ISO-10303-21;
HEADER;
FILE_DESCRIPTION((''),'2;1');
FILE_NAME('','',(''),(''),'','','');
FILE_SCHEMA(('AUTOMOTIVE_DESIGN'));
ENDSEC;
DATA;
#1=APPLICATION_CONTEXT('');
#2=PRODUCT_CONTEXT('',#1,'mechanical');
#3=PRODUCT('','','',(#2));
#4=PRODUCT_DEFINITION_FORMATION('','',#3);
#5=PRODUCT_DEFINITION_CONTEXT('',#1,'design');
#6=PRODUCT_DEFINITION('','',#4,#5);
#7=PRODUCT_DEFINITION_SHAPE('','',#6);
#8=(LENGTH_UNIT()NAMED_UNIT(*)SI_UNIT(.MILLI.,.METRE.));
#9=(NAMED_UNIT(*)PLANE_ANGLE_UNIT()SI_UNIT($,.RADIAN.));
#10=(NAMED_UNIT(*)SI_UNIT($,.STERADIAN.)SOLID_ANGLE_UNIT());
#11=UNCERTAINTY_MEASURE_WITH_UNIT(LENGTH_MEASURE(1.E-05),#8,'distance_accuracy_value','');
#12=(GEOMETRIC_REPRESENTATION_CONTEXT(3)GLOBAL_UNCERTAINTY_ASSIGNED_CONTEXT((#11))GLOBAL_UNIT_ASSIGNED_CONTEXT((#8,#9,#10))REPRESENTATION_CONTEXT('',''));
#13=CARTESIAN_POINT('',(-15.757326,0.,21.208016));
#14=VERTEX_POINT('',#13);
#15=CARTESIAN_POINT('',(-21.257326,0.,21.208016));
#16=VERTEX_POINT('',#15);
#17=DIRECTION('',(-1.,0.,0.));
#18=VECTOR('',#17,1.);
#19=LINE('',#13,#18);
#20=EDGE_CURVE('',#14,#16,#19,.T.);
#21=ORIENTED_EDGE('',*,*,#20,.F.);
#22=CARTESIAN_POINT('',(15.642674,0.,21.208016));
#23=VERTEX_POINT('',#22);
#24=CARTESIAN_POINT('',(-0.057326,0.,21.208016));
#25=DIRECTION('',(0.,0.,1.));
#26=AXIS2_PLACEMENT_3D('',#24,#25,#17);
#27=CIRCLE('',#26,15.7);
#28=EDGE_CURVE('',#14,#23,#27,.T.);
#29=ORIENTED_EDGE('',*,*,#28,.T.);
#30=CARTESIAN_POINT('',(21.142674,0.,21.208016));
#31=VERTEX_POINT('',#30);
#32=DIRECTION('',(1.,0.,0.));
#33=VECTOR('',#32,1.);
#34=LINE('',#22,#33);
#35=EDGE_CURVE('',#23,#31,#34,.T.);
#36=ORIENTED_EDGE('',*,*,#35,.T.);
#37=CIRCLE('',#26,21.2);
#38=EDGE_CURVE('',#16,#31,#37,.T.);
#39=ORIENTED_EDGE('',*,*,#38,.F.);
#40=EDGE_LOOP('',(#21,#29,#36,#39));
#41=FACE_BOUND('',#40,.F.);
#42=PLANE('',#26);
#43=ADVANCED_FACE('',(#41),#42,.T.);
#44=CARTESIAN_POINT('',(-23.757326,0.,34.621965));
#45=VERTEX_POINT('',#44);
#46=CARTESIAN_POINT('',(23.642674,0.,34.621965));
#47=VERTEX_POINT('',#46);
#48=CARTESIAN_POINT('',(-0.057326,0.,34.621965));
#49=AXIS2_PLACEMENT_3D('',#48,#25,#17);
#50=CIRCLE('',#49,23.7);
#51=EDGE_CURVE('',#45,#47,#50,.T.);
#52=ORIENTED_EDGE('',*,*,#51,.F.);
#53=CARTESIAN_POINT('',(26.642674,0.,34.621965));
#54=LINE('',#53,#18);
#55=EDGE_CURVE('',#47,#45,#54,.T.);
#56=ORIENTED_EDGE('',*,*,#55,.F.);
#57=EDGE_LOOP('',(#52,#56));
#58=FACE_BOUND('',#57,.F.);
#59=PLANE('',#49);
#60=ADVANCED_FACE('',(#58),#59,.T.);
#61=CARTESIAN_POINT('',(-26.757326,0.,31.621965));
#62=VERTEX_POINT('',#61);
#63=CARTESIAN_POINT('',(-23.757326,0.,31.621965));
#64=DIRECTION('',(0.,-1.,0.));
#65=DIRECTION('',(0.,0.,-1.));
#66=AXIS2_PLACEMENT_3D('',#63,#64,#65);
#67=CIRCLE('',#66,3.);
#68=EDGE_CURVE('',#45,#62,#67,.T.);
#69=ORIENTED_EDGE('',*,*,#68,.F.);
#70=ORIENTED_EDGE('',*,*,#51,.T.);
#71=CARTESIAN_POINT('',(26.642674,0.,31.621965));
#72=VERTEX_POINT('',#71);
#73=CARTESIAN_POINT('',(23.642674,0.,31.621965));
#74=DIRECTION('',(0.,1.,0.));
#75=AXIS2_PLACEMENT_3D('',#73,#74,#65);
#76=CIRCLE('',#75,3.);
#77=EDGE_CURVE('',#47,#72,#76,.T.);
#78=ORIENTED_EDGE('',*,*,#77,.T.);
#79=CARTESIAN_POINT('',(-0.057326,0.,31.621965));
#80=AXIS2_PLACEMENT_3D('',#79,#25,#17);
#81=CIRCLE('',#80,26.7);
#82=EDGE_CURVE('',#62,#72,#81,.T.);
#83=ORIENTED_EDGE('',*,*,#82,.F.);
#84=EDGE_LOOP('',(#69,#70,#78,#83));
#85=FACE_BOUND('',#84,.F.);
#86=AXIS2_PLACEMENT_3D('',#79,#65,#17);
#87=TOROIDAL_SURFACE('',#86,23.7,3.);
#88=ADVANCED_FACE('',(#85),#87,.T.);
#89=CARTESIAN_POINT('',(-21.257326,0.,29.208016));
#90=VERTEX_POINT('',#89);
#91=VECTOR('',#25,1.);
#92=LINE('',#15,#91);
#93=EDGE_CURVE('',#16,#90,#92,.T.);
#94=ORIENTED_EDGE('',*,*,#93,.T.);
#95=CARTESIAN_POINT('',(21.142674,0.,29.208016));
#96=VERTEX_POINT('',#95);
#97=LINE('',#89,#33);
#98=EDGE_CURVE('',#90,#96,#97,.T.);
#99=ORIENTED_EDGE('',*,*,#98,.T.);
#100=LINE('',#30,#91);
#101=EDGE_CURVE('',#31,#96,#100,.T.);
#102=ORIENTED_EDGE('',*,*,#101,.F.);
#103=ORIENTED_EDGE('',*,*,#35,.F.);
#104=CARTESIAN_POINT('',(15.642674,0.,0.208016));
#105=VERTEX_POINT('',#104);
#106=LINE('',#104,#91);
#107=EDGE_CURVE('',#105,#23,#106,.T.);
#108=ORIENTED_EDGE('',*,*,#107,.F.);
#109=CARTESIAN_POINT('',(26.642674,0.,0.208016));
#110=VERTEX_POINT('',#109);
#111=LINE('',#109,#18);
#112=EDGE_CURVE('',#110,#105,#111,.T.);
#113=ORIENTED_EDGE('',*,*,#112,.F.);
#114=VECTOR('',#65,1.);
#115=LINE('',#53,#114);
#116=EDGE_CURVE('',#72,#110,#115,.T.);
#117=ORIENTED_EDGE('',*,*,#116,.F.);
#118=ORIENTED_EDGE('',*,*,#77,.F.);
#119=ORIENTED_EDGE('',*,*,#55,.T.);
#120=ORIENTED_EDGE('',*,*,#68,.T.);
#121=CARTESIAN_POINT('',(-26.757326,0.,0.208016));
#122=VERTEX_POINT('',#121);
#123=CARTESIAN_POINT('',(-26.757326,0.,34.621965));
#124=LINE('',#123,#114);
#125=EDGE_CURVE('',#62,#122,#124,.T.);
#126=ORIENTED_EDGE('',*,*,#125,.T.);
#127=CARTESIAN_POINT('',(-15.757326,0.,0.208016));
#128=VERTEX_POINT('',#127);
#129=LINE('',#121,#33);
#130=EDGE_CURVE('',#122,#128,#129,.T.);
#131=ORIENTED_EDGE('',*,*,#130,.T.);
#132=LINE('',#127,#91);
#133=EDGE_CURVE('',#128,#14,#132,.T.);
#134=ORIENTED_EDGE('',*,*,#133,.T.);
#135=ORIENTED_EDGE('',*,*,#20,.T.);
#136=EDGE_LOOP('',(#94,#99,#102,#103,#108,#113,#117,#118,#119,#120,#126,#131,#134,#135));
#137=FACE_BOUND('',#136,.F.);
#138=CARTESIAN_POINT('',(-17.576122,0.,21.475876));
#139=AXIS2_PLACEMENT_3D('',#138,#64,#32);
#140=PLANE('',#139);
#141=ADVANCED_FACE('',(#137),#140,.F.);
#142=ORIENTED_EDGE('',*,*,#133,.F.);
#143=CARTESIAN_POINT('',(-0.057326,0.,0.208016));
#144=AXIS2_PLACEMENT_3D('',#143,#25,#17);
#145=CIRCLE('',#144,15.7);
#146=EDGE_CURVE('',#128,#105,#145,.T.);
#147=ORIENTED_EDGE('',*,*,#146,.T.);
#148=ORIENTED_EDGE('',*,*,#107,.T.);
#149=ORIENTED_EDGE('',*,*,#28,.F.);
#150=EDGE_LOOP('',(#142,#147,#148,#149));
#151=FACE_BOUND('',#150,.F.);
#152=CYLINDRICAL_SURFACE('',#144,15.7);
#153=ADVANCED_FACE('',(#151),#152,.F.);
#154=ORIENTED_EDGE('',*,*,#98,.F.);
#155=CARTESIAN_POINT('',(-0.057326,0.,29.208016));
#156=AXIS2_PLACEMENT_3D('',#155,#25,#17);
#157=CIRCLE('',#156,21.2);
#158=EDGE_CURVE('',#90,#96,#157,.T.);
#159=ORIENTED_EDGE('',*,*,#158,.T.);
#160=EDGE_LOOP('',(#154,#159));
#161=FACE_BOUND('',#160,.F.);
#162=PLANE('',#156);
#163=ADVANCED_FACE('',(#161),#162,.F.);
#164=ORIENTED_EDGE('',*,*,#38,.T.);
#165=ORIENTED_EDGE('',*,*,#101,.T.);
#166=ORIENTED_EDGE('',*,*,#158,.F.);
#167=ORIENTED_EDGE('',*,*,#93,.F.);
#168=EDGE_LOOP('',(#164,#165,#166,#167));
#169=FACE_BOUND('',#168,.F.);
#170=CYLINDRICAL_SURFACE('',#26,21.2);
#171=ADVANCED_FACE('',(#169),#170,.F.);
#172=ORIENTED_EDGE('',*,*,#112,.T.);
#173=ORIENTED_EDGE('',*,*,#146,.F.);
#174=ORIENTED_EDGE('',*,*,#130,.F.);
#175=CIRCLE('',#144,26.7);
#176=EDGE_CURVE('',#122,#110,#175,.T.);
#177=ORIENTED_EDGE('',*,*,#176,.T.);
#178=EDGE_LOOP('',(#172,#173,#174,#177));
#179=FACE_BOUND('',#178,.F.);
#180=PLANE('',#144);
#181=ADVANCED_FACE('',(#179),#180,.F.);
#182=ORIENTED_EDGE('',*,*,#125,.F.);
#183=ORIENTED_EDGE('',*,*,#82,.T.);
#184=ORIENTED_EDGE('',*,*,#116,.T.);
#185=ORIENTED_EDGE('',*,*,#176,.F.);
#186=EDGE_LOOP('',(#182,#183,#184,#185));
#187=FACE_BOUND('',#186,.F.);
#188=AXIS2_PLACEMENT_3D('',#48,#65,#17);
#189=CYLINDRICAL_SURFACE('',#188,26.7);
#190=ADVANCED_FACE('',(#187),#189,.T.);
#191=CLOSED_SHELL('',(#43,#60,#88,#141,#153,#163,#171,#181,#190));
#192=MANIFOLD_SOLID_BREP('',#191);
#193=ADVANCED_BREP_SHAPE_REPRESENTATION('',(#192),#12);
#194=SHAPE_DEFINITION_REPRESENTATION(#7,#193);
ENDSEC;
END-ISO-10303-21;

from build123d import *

# Parameters (mm, degrees)
F1_ANGLE = 180
F2_R     = 3


with BuildPart() as f1:
    # F0 (on Front) → F1 (revolve)
    with BuildSketch(Plane.XZ):
        Polygon((-26.7573259016, 0.2080155462), (-15.7573259016, 0.2080155462), (-15.7573259016, 21.2080155462), (-21.2573259016, 21.2080155462), (-21.2573259016, 29.2080155462), (-0.0573259016, 29.2080155462), (-0.0573259016, 34.6219648462), (-26.7573259016, 34.6219648462), (-26.7573259016, 29.1219648462), (-26.7573259016, 23.8824076951), (-26.7573259016, 8.0824076951), align=None)
    revolve(axis=Axis((-0.0573259016, 0, 3.4359856569), (0, 0, 1)), revolution_arc=F1_ANGLE)

    # F2
    f2_edges = [f1.edges().sort_by_distance(p)[0] for p in [
        (-0.057326, -26.7, 34.621965),
    ]]
    fillet(f2_edges, radius=F2_R)


solid = f1.part
